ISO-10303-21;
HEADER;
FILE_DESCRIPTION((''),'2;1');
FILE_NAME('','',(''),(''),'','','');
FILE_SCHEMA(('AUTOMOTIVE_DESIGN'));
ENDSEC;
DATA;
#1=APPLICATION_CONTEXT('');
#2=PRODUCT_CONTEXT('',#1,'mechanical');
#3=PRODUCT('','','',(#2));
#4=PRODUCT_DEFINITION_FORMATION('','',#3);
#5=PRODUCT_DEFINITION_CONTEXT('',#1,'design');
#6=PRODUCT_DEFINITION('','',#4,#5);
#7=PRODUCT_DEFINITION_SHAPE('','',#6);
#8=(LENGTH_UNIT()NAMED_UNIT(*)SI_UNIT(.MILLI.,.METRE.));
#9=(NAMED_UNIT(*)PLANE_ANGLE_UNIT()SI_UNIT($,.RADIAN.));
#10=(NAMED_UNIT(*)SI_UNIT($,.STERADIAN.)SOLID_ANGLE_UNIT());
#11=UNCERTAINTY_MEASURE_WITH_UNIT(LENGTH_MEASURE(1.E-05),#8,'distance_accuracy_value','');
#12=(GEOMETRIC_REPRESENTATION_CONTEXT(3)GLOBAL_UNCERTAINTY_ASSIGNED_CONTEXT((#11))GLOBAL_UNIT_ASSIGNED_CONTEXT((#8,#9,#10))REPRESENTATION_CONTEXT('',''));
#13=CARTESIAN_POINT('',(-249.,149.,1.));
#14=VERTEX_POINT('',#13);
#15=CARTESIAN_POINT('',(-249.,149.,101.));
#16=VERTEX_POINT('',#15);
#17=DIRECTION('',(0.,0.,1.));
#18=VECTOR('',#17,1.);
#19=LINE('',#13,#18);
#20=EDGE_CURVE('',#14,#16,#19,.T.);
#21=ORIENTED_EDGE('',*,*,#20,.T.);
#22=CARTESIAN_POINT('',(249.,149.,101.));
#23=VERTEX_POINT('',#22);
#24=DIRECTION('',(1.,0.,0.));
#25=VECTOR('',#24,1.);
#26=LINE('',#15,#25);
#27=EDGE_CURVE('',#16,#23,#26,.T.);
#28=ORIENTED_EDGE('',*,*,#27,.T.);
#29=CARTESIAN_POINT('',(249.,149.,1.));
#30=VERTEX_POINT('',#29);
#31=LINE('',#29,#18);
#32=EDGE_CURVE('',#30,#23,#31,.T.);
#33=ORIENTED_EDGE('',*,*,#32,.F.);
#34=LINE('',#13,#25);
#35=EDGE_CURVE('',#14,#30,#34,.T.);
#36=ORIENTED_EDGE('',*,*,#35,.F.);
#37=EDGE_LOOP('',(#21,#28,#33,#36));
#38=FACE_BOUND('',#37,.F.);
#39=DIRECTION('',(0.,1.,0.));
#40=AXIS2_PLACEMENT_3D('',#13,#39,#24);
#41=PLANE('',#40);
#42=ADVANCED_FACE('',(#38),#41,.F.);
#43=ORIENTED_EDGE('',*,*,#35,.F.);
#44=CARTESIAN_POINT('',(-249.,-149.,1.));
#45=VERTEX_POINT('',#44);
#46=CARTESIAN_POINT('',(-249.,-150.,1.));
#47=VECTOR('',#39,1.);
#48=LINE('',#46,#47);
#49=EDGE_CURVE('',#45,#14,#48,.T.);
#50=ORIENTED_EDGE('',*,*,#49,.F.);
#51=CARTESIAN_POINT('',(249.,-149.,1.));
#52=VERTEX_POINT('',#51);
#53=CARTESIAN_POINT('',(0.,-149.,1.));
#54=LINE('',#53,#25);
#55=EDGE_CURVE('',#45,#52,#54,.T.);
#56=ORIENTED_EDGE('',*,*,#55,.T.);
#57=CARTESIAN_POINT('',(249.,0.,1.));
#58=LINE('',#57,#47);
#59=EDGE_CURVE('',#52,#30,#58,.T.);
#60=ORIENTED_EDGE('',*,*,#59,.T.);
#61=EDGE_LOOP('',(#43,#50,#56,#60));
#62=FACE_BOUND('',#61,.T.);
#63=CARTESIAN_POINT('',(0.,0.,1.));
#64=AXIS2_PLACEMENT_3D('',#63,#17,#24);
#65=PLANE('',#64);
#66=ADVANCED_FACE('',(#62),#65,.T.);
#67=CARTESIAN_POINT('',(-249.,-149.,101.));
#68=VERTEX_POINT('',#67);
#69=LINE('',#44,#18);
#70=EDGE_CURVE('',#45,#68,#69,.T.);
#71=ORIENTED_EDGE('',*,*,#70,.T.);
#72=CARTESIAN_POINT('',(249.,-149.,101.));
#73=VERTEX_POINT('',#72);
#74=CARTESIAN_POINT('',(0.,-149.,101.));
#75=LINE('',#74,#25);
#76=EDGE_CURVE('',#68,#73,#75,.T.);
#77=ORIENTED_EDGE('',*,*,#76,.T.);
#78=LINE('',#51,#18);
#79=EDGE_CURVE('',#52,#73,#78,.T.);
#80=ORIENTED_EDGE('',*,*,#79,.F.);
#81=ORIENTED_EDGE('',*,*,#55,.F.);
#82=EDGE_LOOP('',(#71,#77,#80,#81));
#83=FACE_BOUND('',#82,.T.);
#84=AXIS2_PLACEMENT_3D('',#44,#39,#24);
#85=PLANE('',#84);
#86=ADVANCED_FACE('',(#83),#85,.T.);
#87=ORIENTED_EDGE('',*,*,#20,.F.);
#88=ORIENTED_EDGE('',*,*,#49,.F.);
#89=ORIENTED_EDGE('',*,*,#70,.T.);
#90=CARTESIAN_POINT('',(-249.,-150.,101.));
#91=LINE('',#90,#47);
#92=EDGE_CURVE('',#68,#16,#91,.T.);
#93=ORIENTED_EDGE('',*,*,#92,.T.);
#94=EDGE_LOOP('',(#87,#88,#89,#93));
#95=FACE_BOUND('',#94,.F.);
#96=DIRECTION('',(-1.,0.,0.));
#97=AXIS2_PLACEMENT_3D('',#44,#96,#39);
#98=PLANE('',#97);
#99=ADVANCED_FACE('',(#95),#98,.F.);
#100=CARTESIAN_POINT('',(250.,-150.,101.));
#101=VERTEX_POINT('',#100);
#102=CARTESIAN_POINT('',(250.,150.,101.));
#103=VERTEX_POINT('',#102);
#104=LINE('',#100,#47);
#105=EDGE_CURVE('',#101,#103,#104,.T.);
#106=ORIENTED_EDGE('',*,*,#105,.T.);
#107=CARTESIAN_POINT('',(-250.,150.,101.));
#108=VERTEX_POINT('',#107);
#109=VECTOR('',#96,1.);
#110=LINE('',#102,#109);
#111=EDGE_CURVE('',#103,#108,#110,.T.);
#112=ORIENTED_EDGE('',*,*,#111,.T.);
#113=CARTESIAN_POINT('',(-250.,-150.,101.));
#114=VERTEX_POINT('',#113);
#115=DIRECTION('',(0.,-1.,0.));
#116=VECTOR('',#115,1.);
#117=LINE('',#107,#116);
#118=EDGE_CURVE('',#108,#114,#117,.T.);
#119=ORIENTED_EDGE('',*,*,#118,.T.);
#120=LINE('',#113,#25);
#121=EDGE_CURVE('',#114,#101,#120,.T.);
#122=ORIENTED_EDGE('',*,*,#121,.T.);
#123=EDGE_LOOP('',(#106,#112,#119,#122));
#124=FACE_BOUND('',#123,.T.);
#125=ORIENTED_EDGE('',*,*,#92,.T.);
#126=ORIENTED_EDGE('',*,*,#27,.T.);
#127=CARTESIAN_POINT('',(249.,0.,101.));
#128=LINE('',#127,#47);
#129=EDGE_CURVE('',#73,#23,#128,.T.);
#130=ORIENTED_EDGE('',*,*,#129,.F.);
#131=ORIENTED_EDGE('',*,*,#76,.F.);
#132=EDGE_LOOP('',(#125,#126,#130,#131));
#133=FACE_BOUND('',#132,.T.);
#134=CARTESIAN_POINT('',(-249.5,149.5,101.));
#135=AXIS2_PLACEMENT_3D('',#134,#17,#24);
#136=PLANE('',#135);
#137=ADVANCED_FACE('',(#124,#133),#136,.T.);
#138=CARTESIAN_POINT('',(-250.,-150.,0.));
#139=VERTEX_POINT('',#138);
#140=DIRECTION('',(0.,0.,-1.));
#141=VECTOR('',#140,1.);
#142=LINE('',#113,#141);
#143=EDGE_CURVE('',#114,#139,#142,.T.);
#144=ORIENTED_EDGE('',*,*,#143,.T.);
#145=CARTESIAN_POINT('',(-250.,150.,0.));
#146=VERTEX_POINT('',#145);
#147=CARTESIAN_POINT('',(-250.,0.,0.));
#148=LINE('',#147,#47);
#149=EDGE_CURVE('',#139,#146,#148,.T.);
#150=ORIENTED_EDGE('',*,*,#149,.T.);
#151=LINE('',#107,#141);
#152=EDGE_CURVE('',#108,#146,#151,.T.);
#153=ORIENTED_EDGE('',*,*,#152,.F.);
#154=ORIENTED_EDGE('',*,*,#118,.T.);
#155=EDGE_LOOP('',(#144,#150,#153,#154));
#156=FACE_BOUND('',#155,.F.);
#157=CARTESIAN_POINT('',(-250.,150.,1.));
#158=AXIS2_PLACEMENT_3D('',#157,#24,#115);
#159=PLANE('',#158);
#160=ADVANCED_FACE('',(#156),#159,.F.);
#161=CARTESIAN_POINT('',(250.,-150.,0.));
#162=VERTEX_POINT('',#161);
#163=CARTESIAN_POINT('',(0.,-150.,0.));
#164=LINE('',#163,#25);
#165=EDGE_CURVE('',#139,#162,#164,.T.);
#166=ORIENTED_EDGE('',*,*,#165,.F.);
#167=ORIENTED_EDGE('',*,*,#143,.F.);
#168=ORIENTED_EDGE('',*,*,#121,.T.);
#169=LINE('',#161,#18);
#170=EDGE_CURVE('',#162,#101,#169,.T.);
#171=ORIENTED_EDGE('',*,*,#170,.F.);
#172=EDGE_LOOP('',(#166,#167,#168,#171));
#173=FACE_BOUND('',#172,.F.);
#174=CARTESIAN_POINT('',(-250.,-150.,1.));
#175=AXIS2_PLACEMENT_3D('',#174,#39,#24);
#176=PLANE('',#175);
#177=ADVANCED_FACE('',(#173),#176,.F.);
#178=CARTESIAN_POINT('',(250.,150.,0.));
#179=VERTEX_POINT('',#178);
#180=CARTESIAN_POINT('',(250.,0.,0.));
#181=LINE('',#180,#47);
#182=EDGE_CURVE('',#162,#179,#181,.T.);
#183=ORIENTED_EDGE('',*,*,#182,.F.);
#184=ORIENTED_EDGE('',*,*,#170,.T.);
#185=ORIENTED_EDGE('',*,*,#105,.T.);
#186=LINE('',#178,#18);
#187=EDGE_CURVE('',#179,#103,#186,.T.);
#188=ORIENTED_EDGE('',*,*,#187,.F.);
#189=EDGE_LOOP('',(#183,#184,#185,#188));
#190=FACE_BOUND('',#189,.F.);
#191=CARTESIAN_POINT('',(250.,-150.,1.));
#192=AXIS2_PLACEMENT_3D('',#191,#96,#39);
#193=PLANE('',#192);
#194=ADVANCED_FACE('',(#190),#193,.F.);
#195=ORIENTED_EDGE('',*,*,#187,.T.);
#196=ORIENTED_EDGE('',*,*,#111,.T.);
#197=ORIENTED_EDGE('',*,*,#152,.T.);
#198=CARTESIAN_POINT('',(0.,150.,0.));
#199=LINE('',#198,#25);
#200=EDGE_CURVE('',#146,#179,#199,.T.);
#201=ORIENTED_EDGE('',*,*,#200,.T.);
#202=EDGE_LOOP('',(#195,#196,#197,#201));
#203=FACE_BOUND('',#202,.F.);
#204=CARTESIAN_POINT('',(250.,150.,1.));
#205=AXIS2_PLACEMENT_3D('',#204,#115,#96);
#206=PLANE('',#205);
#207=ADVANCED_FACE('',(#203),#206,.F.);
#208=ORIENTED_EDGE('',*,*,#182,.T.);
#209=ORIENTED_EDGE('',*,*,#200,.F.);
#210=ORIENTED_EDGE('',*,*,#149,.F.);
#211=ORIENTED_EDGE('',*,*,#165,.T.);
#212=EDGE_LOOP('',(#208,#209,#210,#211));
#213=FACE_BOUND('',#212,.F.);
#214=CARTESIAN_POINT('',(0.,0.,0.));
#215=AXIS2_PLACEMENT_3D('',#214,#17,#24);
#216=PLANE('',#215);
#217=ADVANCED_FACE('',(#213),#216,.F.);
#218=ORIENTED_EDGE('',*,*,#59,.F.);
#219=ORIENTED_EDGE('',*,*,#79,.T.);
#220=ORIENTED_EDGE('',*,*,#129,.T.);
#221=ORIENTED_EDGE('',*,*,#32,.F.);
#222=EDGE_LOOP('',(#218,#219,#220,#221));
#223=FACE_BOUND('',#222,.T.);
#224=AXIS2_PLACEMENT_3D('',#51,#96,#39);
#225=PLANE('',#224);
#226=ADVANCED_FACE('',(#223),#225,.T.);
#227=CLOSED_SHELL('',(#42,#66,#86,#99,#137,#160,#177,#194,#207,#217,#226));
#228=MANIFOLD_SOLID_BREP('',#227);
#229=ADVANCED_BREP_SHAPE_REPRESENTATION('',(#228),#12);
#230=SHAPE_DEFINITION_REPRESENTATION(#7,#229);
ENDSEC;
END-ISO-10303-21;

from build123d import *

# Parameters (mm, degrees)
F0_W     = 500
F0_H     = 300
F1_DEPTH = 1
F2_W     = 1
F2_H     = 1
F2_W_2   = 498
F2_H_2   = 298
F3_DEPTH = 100


with BuildPart() as f1:
    # F0 (on Top) → F1 (new body)
    with BuildSketch(Plane.XY):
        Rectangle(F0_W, F0_H)
    extrude(amount=F1_DEPTH)

    # F2 (on face) → F3 (join)
    with BuildSketch(Plane.XY.offset(1)):
        with Locations((-249.5, 149.5)):
            Rectangle(F2_W, F2_H)
        with Locations((0, 149.5)):
            Rectangle(F2_W_2, F2_H)
        with Locations((-249.5, 0)):
            Rectangle(F2_W, F2_H_2)
        with Locations((249.5, 149.5)):
            Rectangle(F2_W, F2_H)
        with Locations((-249.5, -149.5)):
            Rectangle(F2_W, F2_H)
        with Locations((0, -149.5)):
            Rectangle(F2_W_2, F2_H)
        with Locations((249.5, 0)):
            Rectangle(F2_W, F2_H_2)
        with Locations((249.5, -149.5)):
            Rectangle(F2_W, F2_H)
    extrude(amount=F3_DEPTH)


solid = f1.part
